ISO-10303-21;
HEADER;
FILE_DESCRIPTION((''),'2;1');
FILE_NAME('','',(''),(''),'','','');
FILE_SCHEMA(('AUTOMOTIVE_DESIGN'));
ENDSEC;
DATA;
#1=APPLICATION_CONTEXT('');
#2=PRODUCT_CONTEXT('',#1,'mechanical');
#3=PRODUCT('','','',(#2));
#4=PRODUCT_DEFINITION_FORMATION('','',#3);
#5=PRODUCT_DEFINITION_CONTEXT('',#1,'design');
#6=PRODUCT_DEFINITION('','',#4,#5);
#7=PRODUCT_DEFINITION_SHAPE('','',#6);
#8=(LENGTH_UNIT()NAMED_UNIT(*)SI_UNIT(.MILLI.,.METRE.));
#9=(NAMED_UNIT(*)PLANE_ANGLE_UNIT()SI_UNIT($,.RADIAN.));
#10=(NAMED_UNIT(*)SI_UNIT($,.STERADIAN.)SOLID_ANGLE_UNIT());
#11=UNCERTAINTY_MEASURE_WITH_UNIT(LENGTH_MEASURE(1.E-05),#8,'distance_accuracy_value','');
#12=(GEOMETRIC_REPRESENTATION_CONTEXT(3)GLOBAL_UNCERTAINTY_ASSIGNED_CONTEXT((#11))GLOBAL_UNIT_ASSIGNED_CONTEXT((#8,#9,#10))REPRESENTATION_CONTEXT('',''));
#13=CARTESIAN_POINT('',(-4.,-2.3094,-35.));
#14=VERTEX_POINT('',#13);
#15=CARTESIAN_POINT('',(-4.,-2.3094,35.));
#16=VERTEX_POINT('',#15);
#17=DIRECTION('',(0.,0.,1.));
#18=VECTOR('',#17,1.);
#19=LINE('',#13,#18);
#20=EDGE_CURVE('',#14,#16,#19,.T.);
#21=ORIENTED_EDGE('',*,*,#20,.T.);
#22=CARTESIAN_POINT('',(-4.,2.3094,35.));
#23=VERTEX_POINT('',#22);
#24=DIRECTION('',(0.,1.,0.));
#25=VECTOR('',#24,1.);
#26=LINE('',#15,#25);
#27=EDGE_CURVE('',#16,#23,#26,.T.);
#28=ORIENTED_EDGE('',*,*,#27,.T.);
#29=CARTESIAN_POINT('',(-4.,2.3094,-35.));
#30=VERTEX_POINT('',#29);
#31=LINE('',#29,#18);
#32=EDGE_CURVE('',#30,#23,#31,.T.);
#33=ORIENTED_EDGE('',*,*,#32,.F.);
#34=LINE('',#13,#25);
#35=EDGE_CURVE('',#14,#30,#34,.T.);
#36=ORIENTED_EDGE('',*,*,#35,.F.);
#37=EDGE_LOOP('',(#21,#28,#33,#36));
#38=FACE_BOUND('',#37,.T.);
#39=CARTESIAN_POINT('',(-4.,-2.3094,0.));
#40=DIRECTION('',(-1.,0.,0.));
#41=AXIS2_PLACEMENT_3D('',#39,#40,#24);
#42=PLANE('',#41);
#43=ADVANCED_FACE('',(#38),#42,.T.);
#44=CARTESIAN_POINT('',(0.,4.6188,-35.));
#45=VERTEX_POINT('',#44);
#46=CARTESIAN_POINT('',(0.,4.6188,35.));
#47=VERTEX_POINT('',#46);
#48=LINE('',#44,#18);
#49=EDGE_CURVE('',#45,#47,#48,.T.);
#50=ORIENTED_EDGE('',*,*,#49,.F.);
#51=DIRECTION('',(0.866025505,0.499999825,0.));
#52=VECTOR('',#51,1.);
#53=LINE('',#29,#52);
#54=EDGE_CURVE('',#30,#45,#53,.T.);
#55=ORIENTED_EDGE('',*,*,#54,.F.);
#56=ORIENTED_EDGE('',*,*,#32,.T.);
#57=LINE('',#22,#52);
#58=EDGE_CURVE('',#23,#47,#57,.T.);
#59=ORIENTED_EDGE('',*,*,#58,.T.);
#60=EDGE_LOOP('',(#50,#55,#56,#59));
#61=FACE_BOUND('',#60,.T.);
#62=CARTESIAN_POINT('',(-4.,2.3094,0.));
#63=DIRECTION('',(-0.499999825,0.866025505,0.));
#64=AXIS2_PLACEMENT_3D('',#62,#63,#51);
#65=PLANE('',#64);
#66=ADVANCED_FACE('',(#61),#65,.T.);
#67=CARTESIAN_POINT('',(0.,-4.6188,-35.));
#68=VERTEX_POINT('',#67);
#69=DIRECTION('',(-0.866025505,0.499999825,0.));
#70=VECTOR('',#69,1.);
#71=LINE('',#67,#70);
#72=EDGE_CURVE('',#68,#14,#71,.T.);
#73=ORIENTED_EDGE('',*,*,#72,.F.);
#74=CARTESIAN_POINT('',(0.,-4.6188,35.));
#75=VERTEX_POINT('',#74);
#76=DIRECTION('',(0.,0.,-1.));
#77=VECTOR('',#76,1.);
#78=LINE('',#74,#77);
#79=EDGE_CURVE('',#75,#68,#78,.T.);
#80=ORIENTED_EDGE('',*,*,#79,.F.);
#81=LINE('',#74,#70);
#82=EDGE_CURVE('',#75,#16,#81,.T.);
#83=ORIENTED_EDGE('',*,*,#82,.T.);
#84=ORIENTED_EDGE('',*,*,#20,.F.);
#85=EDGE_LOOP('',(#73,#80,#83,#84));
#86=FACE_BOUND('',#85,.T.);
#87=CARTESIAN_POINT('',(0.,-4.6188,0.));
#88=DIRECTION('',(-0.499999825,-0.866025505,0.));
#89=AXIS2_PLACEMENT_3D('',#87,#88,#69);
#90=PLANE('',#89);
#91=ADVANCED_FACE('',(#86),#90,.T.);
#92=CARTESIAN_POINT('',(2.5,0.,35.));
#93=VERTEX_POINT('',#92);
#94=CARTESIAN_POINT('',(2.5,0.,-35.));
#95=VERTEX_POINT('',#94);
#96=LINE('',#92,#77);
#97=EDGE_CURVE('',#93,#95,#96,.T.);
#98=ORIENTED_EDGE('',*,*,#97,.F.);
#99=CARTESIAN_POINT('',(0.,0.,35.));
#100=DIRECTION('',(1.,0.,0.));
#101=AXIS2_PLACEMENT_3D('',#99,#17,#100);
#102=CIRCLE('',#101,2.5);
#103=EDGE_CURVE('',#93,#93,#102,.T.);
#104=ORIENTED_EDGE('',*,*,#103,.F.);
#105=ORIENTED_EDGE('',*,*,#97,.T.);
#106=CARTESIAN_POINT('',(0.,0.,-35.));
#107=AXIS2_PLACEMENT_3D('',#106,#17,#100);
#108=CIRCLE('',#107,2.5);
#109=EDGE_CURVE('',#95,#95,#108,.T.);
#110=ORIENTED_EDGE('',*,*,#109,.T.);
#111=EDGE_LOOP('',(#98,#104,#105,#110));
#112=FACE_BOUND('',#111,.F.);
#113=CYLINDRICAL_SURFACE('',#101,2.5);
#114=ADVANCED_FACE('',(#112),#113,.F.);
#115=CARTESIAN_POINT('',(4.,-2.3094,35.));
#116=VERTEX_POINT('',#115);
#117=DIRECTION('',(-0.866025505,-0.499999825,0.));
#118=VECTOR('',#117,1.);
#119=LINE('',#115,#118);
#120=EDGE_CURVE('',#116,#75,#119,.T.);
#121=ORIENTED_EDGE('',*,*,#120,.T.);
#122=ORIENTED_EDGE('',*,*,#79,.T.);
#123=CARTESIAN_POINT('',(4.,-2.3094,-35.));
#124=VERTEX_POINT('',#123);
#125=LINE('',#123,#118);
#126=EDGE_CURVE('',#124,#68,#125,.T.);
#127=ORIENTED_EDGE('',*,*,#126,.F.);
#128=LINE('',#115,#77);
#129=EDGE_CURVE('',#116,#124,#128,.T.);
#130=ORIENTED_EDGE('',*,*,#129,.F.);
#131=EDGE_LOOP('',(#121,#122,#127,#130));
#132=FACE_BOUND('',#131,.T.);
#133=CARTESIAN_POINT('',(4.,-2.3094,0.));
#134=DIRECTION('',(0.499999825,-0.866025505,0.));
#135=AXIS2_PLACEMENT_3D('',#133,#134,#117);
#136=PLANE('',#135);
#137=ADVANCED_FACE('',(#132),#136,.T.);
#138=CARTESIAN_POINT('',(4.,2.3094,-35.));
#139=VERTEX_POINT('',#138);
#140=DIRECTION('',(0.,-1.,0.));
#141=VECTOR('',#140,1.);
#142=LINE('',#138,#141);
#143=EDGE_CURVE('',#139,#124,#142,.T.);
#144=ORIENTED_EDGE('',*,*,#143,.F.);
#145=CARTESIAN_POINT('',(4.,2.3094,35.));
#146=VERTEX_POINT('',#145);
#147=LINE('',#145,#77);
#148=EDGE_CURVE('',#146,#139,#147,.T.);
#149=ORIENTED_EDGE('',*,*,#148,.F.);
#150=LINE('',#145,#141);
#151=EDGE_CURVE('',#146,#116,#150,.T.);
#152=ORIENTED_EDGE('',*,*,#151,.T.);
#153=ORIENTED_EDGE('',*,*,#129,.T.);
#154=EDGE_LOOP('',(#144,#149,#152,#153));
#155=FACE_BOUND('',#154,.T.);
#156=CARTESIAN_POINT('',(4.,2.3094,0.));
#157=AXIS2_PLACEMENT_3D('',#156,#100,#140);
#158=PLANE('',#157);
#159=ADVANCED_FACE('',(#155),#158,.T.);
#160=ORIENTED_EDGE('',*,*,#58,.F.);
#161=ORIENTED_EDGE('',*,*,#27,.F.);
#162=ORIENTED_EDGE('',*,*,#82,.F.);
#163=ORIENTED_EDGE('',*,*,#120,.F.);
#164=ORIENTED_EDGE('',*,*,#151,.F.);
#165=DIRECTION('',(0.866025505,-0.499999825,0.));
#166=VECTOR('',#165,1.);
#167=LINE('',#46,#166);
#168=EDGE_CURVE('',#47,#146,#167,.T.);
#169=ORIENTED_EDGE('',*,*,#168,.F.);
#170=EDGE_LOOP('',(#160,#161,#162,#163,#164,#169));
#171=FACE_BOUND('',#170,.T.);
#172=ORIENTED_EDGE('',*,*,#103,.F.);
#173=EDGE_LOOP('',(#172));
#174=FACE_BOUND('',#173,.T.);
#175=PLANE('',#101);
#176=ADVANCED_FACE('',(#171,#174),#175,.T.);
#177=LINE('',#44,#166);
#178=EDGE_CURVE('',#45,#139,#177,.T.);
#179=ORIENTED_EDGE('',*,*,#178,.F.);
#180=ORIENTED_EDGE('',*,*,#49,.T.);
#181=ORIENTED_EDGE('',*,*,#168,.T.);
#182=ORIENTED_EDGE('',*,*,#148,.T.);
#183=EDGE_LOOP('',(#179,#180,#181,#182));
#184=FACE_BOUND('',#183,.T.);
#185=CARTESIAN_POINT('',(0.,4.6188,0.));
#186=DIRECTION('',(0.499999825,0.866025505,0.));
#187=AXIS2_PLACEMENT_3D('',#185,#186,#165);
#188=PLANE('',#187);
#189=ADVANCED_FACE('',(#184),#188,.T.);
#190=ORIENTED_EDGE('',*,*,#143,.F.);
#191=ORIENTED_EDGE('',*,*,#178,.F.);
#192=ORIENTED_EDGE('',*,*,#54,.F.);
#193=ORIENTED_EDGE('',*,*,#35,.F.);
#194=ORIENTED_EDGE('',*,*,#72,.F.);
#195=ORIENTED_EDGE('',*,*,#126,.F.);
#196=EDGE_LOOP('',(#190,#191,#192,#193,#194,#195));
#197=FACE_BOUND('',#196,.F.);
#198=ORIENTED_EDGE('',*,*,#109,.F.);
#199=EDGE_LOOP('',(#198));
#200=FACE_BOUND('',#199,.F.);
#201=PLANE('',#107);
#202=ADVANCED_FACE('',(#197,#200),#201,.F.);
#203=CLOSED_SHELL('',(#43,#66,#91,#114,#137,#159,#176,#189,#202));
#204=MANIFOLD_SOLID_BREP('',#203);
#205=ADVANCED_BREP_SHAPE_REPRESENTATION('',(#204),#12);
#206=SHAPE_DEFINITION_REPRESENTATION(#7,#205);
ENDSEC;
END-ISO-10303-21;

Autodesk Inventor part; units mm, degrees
ref_plane "YZ Plane" through (0, 0, 0) normal (1, 0, 0) x (0, 1, 0)
ref_plane "XZ Plane" through (0, 0, 0) normal (0, 1, 0) x (-1, 0, 0)
ref_plane "XY Plane" through (0, 0, 0) normal (0, 0, 1) x (1, 0, 0)
sketch "草图1" plane through (0, 0, 0) normal (0, 0, 1) x (1, 0, 0)
  line L0 (0, 4.6188) -> (4, 2.3094)
  line L1 (4, 2.3094) -> (4, -2.3094)
  line L2 (4, -2.3094) -> (0, -4.6188)
  line L3 (0, -4.6188) -> (-4, -2.3094)
  line L4 (-4, -2.3094) -> (-4, 2.3094)
  line L5 (-4, 2.3094) -> (0, 4.6188)
  point P0 (0, 0)
  point P1 (0, 0)
  dimension "d0" = 8
extrude "拉伸1" add sketch "草图1" along normal mid plane 70
sketch "草图2" plane through (0, 0, 35) normal (0, 0, 1) x (1, 0, 0)
  circle A0 centre (0, 0) radius 2.5
  dimension "d3" = 5
extrude "拉伸2" cut sketch "草图2" against normal through all
thread "螺纹1" size "M5x0.8" class "6H" standard "ANSI Metric M Profile" full length
properties part number "六角长螺母"
